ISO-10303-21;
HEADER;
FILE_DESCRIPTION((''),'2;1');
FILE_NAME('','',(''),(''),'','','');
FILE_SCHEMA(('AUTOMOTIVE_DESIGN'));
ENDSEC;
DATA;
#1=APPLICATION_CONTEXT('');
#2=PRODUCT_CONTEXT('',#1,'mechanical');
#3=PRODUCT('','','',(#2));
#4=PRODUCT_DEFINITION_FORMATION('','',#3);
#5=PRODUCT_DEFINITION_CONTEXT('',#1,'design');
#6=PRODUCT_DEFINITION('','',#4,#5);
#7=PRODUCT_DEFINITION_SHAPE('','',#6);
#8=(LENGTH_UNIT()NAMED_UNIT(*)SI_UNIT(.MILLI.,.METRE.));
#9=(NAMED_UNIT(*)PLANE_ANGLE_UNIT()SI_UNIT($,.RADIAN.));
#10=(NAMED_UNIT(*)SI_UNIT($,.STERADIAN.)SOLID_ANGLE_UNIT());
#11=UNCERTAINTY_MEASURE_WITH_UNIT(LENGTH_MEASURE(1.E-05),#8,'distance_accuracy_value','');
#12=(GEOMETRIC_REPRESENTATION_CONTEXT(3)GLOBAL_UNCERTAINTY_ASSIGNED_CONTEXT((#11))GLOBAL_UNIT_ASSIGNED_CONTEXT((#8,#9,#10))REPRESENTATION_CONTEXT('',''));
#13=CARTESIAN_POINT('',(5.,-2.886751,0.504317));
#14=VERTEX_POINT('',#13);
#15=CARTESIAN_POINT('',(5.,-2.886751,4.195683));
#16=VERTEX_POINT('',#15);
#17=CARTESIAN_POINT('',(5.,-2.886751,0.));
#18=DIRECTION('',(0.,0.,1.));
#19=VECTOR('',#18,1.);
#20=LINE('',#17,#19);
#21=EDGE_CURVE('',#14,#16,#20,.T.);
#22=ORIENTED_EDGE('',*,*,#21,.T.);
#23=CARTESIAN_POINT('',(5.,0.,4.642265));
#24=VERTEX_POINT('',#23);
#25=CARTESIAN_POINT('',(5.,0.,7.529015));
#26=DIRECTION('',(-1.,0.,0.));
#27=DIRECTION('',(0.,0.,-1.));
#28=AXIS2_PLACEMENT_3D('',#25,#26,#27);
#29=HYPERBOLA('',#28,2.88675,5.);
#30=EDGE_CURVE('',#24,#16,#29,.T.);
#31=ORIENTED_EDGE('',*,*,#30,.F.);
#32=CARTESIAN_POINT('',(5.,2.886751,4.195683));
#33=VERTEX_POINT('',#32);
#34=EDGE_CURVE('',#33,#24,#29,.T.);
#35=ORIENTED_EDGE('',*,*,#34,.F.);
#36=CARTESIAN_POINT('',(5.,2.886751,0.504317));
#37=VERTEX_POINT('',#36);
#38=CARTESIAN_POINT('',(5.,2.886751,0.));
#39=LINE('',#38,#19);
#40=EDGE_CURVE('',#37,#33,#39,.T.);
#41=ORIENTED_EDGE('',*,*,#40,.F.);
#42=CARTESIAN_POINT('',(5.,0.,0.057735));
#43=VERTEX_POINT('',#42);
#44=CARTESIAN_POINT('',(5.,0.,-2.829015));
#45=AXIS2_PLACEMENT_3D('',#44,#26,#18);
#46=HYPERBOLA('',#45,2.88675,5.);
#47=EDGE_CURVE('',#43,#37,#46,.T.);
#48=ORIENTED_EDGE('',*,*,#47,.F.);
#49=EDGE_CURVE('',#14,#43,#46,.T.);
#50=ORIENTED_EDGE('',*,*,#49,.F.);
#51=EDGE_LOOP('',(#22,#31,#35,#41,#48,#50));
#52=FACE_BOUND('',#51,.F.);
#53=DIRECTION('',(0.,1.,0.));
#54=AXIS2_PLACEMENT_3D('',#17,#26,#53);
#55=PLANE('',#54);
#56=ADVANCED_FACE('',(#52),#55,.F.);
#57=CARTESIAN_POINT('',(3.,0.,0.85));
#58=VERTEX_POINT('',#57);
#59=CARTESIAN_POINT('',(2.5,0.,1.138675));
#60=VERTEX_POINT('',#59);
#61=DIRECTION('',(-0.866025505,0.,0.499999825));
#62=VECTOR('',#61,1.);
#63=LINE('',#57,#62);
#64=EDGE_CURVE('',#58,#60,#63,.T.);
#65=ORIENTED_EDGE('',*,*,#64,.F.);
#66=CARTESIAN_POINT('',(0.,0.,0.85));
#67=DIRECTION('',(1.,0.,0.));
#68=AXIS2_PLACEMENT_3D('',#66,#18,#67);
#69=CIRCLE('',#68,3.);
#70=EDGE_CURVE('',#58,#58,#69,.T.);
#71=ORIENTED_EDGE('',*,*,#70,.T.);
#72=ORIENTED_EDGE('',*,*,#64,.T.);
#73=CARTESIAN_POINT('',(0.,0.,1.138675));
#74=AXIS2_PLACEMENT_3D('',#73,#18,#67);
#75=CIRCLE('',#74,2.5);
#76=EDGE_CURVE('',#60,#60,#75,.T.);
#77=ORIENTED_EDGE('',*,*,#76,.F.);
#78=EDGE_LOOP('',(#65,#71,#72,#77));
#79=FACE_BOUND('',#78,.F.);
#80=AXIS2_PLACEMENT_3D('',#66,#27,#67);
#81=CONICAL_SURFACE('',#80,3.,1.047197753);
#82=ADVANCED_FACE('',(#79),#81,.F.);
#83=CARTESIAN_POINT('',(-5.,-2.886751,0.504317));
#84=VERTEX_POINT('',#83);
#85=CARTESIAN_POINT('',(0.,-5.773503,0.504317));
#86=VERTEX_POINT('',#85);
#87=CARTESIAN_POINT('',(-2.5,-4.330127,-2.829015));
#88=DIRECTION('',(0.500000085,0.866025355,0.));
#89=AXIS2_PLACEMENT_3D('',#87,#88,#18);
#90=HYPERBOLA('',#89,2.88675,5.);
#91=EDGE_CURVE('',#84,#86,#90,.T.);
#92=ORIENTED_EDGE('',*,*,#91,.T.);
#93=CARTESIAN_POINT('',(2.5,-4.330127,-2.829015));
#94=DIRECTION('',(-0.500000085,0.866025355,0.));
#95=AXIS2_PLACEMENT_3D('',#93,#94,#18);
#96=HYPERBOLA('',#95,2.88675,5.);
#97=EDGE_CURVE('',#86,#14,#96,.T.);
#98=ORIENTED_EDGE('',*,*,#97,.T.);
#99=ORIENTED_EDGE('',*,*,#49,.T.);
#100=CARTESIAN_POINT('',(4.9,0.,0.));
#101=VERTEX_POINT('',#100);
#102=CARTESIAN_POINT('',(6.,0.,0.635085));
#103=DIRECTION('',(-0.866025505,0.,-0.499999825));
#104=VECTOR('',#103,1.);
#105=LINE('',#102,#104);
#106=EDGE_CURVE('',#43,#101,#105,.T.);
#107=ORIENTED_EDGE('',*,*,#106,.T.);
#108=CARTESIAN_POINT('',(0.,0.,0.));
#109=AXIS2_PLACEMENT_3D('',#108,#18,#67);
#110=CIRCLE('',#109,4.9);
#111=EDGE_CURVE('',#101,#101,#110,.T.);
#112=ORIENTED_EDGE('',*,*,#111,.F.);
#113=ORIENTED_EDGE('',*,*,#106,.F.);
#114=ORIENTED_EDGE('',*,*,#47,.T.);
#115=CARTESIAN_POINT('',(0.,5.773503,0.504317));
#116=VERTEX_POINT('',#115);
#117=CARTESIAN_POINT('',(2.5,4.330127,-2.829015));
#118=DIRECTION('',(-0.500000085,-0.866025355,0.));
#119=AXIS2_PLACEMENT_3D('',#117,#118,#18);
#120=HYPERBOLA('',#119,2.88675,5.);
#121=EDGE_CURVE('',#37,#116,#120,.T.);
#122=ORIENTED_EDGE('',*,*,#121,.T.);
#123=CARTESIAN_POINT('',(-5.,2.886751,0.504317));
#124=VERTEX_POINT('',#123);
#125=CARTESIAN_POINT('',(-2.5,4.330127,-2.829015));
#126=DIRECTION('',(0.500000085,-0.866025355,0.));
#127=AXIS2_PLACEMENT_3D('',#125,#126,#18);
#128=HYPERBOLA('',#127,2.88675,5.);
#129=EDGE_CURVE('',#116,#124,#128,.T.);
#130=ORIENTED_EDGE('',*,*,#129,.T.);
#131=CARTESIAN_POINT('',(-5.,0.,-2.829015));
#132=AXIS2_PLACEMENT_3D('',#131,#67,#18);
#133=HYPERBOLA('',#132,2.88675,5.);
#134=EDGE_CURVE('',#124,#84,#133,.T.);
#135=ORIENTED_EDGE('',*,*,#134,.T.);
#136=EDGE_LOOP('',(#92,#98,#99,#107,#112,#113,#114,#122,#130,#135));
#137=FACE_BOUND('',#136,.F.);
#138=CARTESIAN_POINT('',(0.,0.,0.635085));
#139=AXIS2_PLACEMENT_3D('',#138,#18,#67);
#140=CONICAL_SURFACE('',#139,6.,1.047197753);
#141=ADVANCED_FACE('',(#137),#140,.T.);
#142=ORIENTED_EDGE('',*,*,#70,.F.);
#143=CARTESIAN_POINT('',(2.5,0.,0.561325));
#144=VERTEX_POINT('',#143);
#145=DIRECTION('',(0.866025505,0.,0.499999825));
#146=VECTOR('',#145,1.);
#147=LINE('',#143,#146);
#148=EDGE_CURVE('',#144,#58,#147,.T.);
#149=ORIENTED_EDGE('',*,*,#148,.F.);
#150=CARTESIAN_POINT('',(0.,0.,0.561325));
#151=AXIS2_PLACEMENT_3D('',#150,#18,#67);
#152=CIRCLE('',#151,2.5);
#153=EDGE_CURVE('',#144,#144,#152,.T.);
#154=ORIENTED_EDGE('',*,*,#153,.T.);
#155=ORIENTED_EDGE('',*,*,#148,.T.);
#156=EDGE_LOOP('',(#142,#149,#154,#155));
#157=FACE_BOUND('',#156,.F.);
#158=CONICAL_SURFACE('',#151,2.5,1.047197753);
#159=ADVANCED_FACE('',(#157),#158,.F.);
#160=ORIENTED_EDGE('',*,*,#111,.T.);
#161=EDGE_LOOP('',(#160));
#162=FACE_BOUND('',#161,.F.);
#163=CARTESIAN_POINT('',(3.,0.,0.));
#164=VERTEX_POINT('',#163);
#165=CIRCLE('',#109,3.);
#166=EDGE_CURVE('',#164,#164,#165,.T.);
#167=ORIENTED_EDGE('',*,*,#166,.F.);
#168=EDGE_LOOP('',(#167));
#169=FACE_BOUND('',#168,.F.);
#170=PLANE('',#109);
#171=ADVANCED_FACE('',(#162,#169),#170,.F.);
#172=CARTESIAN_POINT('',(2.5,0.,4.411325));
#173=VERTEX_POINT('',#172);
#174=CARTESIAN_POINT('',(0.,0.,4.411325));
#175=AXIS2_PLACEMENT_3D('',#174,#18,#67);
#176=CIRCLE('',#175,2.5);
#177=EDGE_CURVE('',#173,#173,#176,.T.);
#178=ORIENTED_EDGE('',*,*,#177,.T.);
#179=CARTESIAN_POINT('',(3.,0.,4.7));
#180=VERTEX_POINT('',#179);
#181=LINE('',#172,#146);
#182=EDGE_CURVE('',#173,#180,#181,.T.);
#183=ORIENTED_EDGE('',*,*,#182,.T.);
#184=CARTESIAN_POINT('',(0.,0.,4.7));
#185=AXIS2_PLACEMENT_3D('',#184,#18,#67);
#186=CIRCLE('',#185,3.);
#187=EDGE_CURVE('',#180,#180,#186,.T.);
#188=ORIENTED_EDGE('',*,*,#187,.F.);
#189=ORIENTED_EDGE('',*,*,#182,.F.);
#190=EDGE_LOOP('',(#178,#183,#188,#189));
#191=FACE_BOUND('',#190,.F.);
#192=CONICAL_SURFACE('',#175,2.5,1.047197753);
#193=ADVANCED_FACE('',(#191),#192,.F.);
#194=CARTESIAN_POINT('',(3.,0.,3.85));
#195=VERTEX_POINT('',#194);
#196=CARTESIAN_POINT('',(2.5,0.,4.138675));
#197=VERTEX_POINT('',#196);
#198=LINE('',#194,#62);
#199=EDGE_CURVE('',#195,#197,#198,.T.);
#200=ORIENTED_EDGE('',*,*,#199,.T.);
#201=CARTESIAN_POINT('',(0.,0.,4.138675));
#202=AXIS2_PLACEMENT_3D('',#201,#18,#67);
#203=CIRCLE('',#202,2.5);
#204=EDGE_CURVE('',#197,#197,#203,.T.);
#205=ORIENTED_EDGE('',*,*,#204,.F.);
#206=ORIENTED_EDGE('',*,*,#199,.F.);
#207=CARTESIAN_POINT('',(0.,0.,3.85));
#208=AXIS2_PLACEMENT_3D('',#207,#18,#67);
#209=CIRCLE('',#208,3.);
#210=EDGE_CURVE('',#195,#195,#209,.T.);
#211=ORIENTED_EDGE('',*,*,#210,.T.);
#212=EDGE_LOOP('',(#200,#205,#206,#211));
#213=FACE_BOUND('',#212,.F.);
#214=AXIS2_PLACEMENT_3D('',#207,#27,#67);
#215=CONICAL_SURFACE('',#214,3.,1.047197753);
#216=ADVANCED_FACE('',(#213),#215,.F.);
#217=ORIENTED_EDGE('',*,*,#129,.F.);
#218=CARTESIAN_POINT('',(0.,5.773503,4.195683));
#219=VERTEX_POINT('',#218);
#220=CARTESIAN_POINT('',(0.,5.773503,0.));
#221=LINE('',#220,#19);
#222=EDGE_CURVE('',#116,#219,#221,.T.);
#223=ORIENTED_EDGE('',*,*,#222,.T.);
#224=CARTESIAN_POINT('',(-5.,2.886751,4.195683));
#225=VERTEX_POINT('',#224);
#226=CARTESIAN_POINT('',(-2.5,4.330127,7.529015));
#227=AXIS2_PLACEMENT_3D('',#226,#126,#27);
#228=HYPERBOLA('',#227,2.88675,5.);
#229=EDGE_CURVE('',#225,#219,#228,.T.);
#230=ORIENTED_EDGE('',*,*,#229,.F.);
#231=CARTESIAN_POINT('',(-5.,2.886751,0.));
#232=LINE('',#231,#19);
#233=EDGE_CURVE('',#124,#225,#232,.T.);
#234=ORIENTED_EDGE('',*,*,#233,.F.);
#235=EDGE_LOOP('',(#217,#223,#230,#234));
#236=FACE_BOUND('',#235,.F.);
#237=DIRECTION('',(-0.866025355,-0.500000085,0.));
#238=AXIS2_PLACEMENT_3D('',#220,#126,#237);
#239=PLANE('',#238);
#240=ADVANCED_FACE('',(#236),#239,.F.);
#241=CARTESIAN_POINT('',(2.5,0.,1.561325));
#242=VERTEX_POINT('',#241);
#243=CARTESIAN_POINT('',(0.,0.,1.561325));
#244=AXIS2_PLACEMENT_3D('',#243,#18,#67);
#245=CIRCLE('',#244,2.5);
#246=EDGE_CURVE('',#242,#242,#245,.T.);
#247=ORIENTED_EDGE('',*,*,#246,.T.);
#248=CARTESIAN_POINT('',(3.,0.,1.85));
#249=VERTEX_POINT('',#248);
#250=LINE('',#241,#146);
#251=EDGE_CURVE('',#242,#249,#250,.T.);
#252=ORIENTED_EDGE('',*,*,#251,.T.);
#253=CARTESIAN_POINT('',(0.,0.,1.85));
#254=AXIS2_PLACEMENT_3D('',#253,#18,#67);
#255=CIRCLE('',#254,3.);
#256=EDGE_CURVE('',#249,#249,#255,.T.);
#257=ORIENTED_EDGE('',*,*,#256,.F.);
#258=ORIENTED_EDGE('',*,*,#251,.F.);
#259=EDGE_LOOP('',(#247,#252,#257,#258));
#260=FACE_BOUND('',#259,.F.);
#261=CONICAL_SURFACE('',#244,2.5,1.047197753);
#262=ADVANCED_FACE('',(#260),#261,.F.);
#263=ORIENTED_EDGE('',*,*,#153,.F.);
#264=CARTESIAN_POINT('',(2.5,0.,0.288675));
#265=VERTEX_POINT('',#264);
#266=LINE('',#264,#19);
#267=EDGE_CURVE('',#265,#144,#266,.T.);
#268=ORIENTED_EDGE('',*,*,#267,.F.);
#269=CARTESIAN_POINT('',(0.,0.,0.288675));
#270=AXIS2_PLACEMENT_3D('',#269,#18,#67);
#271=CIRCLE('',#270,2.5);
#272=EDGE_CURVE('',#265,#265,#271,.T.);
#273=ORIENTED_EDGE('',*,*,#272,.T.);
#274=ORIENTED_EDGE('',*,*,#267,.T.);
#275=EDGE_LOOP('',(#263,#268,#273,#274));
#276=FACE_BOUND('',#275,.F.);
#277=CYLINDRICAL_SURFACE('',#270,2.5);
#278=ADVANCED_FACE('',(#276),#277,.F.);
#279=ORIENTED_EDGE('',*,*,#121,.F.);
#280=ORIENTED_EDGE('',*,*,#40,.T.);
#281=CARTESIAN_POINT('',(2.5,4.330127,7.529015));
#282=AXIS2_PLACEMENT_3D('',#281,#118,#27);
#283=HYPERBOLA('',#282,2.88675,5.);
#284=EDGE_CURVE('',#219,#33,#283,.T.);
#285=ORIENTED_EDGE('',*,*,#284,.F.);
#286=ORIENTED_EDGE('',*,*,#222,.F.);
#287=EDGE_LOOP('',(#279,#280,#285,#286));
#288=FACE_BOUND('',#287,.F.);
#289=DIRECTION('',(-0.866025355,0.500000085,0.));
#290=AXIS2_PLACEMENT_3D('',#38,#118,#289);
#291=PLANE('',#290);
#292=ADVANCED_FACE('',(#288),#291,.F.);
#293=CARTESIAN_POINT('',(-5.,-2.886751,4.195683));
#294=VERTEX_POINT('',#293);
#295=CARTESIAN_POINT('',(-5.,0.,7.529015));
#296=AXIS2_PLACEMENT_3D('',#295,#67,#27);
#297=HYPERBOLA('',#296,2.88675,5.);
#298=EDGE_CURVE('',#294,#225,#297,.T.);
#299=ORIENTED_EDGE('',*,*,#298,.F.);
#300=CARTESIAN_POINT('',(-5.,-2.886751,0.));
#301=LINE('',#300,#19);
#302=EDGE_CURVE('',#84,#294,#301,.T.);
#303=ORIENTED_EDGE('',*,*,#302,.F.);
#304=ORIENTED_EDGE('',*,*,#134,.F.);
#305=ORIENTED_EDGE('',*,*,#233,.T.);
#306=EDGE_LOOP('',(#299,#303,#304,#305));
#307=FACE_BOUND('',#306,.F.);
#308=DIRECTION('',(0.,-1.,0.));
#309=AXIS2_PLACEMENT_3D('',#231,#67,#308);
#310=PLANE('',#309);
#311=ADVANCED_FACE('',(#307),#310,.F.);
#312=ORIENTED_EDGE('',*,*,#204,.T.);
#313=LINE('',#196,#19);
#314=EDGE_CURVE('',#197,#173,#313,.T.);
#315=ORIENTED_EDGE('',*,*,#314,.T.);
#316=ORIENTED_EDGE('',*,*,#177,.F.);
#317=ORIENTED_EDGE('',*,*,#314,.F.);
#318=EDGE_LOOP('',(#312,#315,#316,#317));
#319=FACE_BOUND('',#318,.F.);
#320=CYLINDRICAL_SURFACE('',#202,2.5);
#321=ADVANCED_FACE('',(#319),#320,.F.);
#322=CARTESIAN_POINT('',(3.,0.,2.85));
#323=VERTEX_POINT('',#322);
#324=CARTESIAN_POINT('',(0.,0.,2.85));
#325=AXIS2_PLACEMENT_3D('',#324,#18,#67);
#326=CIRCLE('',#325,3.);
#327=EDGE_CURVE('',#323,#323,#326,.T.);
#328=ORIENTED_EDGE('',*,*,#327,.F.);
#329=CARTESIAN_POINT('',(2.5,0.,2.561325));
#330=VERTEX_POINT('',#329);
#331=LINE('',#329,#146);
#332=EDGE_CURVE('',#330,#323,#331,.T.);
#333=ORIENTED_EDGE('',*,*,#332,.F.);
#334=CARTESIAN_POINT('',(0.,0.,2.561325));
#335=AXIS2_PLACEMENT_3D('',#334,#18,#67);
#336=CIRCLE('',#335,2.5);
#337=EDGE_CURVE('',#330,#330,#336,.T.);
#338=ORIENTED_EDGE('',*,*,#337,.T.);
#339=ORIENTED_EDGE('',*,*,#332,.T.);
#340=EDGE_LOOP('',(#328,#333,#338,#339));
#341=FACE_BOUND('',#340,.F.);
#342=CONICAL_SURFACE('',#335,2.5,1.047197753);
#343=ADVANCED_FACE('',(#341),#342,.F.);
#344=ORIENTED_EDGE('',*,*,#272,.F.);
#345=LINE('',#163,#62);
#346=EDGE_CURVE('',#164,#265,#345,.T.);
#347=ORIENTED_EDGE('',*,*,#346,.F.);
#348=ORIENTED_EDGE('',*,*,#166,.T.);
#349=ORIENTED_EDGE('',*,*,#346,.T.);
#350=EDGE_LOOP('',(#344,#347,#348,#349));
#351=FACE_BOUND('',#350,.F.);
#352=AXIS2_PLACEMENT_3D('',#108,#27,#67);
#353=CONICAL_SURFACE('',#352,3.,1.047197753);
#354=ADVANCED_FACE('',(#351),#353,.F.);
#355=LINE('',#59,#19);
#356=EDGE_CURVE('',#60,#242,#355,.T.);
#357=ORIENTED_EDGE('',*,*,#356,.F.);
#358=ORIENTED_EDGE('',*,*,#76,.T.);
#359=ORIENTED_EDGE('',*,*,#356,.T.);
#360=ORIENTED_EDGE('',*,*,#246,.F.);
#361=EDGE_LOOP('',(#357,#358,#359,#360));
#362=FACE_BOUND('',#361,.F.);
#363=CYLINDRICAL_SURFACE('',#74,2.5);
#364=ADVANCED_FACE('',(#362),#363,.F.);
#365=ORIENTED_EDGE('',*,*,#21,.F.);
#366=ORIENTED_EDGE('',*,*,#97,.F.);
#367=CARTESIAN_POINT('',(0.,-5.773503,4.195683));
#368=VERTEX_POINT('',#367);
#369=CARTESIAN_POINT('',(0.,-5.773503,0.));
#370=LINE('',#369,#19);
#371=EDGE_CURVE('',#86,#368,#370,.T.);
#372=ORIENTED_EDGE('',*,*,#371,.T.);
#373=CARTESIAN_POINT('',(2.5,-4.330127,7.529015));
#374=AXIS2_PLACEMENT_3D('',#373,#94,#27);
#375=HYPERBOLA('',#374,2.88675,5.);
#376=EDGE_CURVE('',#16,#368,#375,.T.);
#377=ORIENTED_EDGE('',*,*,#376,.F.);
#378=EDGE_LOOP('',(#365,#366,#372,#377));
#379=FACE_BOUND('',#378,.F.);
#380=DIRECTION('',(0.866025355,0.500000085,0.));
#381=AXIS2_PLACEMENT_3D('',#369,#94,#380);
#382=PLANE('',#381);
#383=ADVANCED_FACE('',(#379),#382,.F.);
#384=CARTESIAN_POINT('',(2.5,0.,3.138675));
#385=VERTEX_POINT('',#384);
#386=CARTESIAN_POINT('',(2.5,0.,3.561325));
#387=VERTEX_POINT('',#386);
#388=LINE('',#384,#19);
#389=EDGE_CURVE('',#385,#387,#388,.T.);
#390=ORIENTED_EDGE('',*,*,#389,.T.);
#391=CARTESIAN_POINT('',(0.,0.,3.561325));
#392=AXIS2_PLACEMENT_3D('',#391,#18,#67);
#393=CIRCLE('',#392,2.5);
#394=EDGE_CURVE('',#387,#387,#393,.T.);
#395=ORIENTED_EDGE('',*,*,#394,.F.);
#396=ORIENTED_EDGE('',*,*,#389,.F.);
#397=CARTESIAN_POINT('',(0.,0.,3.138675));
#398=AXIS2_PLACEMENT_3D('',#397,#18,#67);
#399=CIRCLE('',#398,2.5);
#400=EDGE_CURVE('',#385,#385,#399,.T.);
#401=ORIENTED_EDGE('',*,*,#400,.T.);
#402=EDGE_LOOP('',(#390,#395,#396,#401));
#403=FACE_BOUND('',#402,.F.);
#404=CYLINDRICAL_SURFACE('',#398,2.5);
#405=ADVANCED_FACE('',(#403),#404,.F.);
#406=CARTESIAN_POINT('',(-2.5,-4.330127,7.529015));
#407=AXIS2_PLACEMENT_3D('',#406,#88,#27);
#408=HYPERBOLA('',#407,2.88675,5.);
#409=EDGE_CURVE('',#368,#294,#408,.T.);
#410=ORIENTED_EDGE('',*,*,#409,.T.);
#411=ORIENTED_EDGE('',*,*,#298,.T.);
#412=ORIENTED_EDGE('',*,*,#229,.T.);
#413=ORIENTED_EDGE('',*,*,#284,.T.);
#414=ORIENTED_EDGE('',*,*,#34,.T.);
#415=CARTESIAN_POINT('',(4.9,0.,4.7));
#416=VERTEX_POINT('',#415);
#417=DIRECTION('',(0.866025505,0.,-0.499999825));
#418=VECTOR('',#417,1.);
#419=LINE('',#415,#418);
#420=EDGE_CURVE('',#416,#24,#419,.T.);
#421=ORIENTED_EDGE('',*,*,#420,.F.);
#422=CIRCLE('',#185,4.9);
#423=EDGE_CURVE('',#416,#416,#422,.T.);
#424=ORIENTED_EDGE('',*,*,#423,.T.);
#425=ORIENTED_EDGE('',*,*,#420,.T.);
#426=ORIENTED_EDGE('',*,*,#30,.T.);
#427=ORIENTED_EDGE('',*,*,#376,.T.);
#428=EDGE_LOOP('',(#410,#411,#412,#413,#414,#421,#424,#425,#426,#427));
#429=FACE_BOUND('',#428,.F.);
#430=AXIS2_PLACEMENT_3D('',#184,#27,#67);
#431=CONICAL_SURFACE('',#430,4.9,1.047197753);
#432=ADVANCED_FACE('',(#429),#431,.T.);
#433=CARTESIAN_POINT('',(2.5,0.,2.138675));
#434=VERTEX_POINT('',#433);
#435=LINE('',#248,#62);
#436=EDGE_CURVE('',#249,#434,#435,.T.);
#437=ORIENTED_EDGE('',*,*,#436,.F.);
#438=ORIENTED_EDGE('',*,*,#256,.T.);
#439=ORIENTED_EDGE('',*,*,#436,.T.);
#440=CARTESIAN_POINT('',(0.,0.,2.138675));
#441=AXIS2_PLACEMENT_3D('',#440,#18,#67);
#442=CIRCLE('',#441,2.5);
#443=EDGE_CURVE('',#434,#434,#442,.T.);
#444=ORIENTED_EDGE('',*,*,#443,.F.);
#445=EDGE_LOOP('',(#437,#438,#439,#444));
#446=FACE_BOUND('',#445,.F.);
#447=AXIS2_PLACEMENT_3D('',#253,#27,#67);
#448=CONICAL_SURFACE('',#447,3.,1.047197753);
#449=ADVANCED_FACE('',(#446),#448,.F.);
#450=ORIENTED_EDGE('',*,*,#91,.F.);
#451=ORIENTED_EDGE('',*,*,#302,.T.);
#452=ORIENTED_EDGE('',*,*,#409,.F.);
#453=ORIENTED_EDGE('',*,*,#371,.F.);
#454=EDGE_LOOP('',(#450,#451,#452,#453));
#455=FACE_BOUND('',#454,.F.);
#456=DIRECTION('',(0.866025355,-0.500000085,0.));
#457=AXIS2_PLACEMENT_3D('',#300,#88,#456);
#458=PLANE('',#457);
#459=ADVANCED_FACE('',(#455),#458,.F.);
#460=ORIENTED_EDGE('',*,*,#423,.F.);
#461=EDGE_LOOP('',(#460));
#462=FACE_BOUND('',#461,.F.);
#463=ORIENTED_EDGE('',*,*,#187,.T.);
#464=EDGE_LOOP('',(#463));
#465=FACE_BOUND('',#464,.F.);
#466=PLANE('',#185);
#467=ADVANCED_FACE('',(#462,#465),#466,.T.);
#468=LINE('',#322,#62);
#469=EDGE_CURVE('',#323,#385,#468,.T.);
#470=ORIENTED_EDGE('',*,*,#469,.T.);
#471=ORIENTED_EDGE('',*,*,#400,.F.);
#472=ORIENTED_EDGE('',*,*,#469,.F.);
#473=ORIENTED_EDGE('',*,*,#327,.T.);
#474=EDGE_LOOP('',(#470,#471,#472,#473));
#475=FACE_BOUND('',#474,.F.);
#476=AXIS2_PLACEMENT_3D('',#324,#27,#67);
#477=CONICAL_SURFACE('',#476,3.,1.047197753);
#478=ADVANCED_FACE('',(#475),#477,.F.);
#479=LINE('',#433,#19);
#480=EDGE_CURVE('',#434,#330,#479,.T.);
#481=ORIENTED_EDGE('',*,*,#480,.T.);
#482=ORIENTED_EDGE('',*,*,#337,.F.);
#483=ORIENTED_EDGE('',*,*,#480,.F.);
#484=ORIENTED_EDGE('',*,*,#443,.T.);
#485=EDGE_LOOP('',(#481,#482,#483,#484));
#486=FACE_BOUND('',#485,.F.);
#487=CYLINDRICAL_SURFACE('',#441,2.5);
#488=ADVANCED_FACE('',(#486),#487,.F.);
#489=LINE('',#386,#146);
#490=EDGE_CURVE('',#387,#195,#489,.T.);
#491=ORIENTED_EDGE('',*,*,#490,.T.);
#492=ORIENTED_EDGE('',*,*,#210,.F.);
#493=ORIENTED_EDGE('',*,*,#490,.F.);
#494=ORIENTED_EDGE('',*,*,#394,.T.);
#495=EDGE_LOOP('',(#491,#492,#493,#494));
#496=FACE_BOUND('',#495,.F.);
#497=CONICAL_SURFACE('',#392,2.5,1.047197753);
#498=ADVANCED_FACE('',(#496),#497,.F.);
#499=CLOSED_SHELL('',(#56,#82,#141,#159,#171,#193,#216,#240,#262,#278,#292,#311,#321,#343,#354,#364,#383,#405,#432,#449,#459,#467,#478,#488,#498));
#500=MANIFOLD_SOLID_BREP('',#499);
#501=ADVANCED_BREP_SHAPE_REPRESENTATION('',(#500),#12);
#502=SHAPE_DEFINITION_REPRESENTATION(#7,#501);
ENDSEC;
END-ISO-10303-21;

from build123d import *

# Parameters (mm, degrees)
EXTRUDE_DEPTH = 4.7


with BuildPart() as revolve_body:
    # Sketch001 → Revolve (revolve)
    with BuildSketch(Plane.XZ):
        Polygon((3, 0), (2.5, 0.288675), (2.5, 0.561325), (3, 0.85), (2.5, 1.138675), (2.5, 1.561325), (3, 1.85), (2.5, 2.138675), (2.5, 2.561325), (3, 2.85), (2.5, 3.138675), (2.5, 3.561325), (3, 3.85), (2.5, 4.138675), (2.5, 4.411325), (3, 4.7), (4.9, 4.7), (6, 4.064915), (6, 0.635085), (4.9, 0), align=None)
    revolve(axis=Axis((0, 0, 0), (0, 0, 1)))


with BuildPart() as common:
    # Sketch → Extrude (new body)
    with BuildSketch(Plane.XY):
        Polygon((0, 5.773503), (-5, 2.886751), (-5, -2.886751), (0, -5.773503), (5, -2.886751), (5, 2.886751), align=None)
    extrude(amount=EXTRUDE_DEPTH)

    # Common: intersect Revolve body
    add(revolve_body.part, mode=Mode.INTERSECT)


solid = common.part
